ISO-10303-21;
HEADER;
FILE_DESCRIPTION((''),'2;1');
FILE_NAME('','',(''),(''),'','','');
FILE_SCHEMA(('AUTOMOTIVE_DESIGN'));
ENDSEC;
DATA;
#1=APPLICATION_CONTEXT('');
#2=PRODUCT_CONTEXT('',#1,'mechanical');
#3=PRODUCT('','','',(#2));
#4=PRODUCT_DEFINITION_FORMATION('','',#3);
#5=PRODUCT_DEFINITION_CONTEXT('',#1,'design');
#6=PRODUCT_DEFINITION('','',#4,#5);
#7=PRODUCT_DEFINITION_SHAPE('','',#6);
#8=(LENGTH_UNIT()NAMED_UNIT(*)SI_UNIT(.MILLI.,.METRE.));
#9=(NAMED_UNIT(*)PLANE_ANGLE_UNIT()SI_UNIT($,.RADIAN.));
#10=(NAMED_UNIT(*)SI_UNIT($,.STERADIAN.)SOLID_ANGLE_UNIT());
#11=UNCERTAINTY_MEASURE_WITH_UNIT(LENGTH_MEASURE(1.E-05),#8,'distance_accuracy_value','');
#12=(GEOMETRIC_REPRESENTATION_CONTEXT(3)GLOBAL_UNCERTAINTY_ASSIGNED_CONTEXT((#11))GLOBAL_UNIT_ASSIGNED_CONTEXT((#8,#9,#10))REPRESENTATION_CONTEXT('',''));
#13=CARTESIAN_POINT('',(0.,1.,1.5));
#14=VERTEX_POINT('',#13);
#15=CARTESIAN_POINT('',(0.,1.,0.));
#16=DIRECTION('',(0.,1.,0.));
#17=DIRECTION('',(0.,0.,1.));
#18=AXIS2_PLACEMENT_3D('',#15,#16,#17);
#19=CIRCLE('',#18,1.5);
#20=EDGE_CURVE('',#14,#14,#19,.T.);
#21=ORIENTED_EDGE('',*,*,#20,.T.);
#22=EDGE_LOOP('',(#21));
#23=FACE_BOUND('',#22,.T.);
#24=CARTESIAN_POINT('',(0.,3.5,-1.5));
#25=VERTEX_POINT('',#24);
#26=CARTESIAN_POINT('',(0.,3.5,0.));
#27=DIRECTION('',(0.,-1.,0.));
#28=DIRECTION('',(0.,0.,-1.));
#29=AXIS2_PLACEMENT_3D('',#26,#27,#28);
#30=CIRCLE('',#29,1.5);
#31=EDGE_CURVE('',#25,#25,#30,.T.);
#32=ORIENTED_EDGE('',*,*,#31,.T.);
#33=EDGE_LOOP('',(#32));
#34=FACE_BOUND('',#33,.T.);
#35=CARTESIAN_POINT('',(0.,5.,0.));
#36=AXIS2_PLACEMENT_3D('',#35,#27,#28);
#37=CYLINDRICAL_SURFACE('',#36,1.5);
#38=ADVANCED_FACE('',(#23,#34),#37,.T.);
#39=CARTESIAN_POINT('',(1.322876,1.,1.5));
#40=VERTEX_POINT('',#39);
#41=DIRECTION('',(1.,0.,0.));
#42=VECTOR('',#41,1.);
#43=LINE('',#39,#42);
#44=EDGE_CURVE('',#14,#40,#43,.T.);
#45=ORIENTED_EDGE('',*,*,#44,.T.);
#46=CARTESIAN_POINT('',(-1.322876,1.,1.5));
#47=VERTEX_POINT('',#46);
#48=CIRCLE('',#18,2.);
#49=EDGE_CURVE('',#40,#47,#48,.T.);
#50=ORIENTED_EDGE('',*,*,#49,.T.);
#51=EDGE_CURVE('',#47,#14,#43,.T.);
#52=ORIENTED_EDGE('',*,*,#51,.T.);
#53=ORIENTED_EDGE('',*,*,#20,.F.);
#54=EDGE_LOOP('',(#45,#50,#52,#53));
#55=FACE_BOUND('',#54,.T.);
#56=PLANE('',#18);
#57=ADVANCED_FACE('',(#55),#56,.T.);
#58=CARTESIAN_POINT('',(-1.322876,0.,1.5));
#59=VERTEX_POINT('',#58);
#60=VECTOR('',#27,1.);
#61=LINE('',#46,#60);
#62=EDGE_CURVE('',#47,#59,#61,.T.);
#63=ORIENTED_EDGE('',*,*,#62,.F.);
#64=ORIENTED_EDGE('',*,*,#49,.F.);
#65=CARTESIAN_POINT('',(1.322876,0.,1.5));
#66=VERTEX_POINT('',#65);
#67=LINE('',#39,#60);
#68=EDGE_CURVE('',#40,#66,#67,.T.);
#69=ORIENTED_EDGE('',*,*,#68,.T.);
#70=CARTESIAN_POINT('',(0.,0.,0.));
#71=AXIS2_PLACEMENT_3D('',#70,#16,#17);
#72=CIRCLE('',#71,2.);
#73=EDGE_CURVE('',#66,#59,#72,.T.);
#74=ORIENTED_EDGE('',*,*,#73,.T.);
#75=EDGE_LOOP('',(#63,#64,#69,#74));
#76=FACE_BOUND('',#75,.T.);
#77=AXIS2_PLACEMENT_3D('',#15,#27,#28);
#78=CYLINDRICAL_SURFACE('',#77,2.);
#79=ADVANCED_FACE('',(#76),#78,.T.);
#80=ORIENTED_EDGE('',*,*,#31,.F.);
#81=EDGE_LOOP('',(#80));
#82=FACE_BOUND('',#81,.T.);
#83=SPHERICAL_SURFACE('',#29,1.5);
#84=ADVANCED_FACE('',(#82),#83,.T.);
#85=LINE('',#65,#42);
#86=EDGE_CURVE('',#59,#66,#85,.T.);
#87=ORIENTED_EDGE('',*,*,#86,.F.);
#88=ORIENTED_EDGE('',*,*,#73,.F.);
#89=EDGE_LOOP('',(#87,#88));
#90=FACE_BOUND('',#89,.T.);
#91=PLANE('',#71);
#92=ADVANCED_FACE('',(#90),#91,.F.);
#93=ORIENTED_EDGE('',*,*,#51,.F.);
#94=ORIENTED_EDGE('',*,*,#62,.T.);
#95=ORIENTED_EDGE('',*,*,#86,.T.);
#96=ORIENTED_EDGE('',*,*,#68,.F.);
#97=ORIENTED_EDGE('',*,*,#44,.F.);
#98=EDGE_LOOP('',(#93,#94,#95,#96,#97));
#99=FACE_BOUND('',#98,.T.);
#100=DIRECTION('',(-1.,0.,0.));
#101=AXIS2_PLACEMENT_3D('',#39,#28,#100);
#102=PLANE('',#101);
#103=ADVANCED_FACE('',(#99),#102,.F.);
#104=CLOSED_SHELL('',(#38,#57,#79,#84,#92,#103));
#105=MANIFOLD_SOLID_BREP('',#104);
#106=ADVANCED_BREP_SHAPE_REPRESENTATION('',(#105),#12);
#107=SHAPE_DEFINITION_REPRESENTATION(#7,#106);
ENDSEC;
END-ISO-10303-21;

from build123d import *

# Parameters (mm, degrees)
SKETCH1_R     = 1.5
BASE_DEPTH    = 5
DOME_R        = 1.5
BASECUT_DEPTH = 1


with BuildPart() as part:
    # Sketch1 → Base (new body)
    with BuildSketch(Plane(origin=(0, 0, 0), x_dir=(1, 0, 0), z_dir=(0, 1, 0))):
        with Locations(Location((0, 0, 0), (0, 0, 270))):
            Circle(SKETCH1_R)
    extrude(amount=BASE_DEPTH)

    # Dome
    dome_edges = [part.edges().sort_by_distance(p)[0] for p in [
        (0, 5, -1.5),
    ]]
    fillet(dome_edges, radius=DOME_R)

    # BaseCutSketch → BaseCut (add)
    with BuildSketch(Plane(origin=(0, 0, 0), x_dir=(1, 0, 0), z_dir=(0, 1, 0))):
        with BuildLine():
            Line((1.322875656, -1.5), (-1.322875656, -1.5))
            ThreePointArc((-1.322875656, -1.5), (0, 2), (1.322875656, -1.5))
        make_face()
    extrude(amount=BASECUT_DEPTH)


solid = part.part
